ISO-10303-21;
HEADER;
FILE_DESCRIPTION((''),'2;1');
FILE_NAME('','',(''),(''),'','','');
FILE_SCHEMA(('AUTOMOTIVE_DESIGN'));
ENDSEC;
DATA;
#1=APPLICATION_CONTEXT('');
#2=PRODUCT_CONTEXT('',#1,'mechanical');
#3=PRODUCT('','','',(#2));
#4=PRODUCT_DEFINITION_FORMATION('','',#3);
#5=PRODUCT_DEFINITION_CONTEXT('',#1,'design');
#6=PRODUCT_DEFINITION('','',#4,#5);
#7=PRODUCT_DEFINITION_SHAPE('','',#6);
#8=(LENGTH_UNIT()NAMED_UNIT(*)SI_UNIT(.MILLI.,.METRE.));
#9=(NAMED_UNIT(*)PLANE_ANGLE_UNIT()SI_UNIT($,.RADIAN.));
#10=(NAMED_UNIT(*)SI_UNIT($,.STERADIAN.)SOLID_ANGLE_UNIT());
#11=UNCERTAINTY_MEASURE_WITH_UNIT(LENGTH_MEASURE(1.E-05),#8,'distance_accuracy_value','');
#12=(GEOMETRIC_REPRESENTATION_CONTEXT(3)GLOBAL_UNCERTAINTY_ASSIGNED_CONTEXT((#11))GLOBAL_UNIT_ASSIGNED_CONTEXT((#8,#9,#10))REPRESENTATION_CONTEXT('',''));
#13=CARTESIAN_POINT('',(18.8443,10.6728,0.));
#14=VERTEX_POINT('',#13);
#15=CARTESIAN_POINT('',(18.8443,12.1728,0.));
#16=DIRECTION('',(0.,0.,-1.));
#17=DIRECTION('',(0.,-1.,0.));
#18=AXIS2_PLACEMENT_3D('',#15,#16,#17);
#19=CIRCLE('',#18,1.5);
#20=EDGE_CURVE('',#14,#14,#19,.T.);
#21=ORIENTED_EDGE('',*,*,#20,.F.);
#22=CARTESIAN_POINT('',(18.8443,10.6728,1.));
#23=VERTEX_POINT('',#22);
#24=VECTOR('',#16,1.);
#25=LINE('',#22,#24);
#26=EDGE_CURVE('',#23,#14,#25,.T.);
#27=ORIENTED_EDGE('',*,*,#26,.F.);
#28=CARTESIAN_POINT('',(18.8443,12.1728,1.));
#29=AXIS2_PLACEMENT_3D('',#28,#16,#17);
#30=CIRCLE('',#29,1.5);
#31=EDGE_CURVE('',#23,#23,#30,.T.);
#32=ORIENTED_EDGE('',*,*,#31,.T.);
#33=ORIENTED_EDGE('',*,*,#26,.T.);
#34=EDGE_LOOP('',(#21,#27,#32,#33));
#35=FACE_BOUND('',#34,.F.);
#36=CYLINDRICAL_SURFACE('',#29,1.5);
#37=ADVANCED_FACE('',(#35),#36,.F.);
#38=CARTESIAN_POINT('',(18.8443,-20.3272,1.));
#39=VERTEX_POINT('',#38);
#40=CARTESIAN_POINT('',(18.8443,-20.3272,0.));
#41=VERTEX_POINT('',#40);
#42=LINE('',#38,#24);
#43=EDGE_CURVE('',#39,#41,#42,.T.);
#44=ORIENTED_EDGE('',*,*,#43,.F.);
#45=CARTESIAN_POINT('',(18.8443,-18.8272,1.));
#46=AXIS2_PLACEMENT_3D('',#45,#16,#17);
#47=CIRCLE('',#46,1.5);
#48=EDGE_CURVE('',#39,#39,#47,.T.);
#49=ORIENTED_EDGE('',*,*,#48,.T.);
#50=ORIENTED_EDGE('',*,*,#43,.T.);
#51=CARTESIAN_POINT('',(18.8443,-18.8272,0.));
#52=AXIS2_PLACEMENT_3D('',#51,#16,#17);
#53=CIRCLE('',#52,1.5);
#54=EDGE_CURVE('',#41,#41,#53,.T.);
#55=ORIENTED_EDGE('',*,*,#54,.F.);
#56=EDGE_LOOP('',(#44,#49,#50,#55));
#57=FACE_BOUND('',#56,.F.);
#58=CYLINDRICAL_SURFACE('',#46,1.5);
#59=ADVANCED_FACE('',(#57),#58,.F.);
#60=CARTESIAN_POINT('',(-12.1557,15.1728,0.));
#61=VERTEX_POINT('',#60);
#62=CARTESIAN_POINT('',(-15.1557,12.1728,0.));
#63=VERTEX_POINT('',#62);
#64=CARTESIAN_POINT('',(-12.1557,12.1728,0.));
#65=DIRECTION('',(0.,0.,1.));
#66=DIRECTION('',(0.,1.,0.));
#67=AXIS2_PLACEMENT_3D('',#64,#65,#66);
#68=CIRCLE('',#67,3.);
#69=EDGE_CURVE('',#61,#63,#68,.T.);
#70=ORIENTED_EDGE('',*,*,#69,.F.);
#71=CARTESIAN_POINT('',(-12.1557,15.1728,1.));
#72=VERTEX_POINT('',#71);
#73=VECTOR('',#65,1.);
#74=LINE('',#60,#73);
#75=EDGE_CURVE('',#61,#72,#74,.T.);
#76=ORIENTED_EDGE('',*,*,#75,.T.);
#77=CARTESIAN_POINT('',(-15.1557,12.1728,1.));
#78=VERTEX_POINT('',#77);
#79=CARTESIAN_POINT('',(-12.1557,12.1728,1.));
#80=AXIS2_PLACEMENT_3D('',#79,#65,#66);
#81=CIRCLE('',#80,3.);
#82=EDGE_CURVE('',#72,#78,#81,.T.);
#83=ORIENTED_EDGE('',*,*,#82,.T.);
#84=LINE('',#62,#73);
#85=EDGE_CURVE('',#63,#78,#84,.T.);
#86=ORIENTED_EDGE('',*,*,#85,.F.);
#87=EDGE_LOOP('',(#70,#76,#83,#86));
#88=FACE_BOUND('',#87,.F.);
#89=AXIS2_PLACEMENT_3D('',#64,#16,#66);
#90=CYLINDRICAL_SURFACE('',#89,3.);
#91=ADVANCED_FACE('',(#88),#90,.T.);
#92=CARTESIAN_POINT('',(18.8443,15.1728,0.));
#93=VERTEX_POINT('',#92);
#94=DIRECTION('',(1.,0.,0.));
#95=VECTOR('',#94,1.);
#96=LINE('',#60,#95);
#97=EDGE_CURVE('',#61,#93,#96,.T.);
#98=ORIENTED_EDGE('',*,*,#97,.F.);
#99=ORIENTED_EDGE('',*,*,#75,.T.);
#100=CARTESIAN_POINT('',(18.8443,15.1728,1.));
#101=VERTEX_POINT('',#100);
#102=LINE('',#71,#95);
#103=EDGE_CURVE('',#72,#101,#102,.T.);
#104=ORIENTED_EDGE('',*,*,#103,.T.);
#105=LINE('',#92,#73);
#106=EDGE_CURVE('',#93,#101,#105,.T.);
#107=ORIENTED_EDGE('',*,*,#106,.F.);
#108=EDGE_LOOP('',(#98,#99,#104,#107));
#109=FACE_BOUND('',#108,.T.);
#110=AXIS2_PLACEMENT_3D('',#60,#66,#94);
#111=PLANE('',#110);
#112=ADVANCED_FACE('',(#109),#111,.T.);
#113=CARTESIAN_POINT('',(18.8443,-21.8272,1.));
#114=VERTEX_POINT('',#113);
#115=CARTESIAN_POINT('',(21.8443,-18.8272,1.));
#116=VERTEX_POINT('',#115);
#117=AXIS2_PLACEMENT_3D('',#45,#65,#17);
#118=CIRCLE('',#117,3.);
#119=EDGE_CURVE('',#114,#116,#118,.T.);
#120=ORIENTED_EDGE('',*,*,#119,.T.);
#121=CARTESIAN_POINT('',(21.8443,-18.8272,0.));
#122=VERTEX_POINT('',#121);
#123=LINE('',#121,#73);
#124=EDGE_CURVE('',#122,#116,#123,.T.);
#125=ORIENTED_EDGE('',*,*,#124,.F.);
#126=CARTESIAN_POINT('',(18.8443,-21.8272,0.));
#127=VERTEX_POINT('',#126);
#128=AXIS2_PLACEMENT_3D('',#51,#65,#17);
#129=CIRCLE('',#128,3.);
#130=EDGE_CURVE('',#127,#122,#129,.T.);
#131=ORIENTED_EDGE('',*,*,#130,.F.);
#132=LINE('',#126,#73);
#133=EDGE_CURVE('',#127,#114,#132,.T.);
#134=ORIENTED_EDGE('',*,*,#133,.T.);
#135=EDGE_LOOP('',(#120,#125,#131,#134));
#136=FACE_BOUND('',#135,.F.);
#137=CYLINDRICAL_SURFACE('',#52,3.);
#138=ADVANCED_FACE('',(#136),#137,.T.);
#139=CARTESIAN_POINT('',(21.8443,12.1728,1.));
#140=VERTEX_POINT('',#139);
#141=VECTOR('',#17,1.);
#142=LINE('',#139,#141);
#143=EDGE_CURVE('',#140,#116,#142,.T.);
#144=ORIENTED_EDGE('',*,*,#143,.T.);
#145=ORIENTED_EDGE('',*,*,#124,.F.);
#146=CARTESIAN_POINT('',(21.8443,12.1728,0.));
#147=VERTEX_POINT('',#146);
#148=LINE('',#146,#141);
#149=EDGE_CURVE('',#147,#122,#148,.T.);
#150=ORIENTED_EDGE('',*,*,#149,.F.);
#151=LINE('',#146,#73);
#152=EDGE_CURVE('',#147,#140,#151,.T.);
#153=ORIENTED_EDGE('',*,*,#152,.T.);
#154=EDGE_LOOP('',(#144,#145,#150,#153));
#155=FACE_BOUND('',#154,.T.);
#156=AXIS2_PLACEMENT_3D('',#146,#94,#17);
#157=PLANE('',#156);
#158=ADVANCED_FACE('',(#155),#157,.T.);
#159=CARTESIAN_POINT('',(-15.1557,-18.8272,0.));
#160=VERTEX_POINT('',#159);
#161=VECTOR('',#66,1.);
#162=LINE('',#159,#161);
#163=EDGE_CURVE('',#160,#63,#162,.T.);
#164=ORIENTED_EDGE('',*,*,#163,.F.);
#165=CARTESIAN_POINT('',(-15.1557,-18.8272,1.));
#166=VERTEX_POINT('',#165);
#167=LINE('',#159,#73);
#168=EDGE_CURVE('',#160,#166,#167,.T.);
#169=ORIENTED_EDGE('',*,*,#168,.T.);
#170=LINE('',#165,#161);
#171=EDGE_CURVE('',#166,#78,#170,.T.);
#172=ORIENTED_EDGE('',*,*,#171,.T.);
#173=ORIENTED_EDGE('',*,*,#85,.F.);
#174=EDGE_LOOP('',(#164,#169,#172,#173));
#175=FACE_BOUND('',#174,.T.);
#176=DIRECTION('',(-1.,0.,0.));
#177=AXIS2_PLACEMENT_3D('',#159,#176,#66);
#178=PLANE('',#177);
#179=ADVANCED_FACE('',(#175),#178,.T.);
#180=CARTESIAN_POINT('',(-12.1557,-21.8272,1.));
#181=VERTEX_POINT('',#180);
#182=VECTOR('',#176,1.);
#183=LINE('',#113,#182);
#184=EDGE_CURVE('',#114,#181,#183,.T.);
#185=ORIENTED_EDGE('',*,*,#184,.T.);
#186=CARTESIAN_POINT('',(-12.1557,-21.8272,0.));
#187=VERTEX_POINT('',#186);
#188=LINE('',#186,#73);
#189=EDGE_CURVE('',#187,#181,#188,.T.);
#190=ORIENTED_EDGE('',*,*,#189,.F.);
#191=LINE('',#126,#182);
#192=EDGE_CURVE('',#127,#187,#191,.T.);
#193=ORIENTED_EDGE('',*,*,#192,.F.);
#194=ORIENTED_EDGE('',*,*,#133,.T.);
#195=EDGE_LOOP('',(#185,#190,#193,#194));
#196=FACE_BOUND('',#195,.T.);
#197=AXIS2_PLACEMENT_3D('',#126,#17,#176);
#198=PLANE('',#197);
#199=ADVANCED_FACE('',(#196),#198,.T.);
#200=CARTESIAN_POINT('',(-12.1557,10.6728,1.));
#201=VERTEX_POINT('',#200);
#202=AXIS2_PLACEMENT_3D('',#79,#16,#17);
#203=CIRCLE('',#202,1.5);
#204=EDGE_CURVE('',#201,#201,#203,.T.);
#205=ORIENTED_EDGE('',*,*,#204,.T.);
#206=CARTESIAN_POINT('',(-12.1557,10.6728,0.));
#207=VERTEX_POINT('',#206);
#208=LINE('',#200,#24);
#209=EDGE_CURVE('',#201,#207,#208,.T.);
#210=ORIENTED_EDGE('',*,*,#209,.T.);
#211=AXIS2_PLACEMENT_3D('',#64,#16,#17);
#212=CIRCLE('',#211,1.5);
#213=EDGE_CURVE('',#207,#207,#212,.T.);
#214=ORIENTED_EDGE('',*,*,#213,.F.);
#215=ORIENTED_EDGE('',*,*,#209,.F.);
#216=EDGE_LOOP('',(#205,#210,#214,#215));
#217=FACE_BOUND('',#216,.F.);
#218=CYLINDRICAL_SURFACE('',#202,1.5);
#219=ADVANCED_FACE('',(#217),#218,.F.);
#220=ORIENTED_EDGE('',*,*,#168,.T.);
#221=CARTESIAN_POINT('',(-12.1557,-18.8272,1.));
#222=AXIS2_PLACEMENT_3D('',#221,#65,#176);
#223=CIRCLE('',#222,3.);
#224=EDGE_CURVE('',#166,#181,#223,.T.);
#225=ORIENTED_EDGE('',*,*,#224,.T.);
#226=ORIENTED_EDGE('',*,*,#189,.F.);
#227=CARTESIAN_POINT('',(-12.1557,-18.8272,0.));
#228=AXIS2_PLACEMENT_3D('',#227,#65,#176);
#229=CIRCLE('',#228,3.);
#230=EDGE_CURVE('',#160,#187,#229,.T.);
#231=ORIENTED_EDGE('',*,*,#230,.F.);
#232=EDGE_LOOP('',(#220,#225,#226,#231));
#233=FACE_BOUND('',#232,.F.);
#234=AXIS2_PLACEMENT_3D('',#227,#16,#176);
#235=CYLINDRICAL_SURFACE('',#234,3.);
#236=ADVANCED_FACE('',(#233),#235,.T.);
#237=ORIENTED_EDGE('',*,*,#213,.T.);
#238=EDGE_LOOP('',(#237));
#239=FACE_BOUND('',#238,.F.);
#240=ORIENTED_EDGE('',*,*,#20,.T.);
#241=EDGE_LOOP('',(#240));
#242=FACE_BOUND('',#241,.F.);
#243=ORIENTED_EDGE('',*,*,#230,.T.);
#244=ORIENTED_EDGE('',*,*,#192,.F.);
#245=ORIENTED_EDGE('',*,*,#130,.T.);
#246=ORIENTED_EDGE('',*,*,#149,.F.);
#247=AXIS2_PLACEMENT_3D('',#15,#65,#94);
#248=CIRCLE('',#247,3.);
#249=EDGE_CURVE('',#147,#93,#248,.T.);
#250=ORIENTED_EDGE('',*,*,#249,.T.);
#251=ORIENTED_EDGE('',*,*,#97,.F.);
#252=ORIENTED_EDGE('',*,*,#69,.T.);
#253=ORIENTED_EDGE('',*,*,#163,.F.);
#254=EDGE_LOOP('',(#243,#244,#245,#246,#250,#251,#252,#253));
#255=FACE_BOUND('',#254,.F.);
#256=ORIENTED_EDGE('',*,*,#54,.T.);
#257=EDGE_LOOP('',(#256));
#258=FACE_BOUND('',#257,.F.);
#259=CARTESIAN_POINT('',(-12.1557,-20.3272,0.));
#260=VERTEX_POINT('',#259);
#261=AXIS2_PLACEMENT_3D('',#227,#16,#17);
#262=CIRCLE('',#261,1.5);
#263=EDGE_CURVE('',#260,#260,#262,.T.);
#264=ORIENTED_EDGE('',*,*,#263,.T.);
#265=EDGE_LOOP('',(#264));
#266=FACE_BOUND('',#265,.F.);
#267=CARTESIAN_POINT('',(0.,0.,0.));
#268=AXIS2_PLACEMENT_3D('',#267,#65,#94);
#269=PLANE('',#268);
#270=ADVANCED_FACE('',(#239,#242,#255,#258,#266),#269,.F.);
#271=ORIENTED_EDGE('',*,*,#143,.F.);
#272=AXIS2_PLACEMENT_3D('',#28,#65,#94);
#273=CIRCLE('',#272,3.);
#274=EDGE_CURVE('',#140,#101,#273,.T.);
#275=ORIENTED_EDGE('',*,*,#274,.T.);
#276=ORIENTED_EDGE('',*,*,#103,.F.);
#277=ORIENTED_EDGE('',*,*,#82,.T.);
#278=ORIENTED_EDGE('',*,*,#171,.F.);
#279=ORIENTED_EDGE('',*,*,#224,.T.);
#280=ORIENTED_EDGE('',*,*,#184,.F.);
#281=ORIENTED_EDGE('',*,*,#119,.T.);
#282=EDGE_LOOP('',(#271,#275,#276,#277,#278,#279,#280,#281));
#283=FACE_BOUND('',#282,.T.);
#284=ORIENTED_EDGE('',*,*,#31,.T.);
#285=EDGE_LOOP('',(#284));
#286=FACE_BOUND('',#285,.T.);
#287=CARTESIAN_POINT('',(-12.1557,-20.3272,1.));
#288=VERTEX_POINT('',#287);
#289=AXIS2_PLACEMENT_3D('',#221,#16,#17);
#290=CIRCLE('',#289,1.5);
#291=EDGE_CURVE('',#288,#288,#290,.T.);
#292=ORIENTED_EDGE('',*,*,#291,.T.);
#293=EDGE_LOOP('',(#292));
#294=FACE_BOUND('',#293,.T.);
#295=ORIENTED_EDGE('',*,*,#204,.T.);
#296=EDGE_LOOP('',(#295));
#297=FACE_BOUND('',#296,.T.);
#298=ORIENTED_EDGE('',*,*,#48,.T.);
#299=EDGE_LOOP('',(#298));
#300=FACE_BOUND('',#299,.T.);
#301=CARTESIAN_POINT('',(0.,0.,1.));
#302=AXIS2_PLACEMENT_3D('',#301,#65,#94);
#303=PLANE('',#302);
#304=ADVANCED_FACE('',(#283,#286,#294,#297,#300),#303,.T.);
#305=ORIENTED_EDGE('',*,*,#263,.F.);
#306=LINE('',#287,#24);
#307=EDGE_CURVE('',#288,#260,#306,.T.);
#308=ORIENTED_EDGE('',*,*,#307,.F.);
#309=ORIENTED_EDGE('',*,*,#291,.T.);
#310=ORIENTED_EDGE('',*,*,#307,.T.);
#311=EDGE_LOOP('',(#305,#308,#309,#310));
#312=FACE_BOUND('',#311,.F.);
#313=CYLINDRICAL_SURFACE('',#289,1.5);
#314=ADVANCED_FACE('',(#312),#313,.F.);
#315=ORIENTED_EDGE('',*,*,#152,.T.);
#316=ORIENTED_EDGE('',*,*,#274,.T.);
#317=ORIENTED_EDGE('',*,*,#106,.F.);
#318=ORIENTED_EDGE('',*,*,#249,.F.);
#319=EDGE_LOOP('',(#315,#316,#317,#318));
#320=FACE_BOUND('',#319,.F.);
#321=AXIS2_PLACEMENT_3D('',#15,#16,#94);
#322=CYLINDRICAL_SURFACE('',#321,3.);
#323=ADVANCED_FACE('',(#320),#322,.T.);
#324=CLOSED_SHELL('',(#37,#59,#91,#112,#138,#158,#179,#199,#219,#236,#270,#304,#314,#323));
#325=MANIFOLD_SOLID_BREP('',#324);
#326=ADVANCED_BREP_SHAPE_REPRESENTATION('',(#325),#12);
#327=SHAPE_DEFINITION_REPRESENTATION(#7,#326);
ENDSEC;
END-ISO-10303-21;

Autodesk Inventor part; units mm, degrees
ref_plane "YZ Plane" through (0, 0, 0) normal (1, 0, 0) x (0, 1, 0)
ref_plane "XZ Plane" through (0, 0, 0) normal (0, 1, 0) x (-1, 0, 0)
ref_plane "XY Plane" through (0, 0, 0) normal (0, 0, 1) x (1, 0, 0)
sketch "Sketch1" plane through (0, 0, 0) normal (0, 0, 1) x (1, 0, 0)
  line L0 (-12.1557, 15.1728) -> (18.8443, 15.1728)
  line L1 (21.8443, 12.1728) -> (21.8443, -18.8272)
  line L2 (18.8443, -21.8272) -> (-12.1557, -21.8272)
  line L3 (-15.1557, -18.8272) -> (-15.1557, 12.1728)
  arc A0 (-12.1557, 15.1728) -> (-15.1557, 12.1728) centre (-12.1557, 12.1728) ccw
  arc A1 (21.8443, 12.1728) -> (18.8443, 15.1728) centre (18.8443, 12.1728) ccw
  arc A2 (18.8443, -21.8272) -> (21.8443, -18.8272) centre (18.8443, -18.8272) ccw
  arc A3 (-15.1557, -18.8272) -> (-12.1557, -21.8272) centre (-12.1557, -18.8272) ccw
  point P0 (0, 0)
  point P1 (-15.1557, 15.1728)
  point P2 (21.8443, -21.8272)
  point P3 (21.8443, 15.1728)
  dimension "d0" = 37
  dimension "d1" = 37
  dimension "d2" = 3
extrude "Extrusion1" add sketch "Sketch1" along normal blind 1
sketch "Sketch2" plane through (0, 0, 1) normal (0, 0, 1) x (1, 0, 0)
  circle A0 centre (-12.1557, 12.1728) radius 1.5
  line L0 (18.8443, 15.1728) -> (-12.1557, 15.1728) projected
  line L1 (-15.1557, 12.1728) -> (-15.1557, -18.8272) projected
  line L2 (3.3443, 8.5218) -> (3.3443, -18.2163) construction
  circle A1 centre (18.8443, 12.1728) radius 1.5
  line L3 (-8.842, -3.3272) -> (14.7627, -3.3272) construction
  circle A2 centre (-12.1557, -18.8272) radius 1.5
  circle A3 centre (18.8443, -18.8272) radius 1.5
  point P0 (0, 0)
  dimension "d5" = 3
  dimension "d6" = 3
  dimension "d7" = 3
hole "Hole1" at (18.8443, 12.1728, 1) at (18.8443, -18.8272, 1) at (-12.1557, -18.8272, 1) at (-12.1557, 12.1728, 1) direction (0, 0, -1) diameter 3 end through all
equation "\"d1\" = d0"
properties part number "carte"
